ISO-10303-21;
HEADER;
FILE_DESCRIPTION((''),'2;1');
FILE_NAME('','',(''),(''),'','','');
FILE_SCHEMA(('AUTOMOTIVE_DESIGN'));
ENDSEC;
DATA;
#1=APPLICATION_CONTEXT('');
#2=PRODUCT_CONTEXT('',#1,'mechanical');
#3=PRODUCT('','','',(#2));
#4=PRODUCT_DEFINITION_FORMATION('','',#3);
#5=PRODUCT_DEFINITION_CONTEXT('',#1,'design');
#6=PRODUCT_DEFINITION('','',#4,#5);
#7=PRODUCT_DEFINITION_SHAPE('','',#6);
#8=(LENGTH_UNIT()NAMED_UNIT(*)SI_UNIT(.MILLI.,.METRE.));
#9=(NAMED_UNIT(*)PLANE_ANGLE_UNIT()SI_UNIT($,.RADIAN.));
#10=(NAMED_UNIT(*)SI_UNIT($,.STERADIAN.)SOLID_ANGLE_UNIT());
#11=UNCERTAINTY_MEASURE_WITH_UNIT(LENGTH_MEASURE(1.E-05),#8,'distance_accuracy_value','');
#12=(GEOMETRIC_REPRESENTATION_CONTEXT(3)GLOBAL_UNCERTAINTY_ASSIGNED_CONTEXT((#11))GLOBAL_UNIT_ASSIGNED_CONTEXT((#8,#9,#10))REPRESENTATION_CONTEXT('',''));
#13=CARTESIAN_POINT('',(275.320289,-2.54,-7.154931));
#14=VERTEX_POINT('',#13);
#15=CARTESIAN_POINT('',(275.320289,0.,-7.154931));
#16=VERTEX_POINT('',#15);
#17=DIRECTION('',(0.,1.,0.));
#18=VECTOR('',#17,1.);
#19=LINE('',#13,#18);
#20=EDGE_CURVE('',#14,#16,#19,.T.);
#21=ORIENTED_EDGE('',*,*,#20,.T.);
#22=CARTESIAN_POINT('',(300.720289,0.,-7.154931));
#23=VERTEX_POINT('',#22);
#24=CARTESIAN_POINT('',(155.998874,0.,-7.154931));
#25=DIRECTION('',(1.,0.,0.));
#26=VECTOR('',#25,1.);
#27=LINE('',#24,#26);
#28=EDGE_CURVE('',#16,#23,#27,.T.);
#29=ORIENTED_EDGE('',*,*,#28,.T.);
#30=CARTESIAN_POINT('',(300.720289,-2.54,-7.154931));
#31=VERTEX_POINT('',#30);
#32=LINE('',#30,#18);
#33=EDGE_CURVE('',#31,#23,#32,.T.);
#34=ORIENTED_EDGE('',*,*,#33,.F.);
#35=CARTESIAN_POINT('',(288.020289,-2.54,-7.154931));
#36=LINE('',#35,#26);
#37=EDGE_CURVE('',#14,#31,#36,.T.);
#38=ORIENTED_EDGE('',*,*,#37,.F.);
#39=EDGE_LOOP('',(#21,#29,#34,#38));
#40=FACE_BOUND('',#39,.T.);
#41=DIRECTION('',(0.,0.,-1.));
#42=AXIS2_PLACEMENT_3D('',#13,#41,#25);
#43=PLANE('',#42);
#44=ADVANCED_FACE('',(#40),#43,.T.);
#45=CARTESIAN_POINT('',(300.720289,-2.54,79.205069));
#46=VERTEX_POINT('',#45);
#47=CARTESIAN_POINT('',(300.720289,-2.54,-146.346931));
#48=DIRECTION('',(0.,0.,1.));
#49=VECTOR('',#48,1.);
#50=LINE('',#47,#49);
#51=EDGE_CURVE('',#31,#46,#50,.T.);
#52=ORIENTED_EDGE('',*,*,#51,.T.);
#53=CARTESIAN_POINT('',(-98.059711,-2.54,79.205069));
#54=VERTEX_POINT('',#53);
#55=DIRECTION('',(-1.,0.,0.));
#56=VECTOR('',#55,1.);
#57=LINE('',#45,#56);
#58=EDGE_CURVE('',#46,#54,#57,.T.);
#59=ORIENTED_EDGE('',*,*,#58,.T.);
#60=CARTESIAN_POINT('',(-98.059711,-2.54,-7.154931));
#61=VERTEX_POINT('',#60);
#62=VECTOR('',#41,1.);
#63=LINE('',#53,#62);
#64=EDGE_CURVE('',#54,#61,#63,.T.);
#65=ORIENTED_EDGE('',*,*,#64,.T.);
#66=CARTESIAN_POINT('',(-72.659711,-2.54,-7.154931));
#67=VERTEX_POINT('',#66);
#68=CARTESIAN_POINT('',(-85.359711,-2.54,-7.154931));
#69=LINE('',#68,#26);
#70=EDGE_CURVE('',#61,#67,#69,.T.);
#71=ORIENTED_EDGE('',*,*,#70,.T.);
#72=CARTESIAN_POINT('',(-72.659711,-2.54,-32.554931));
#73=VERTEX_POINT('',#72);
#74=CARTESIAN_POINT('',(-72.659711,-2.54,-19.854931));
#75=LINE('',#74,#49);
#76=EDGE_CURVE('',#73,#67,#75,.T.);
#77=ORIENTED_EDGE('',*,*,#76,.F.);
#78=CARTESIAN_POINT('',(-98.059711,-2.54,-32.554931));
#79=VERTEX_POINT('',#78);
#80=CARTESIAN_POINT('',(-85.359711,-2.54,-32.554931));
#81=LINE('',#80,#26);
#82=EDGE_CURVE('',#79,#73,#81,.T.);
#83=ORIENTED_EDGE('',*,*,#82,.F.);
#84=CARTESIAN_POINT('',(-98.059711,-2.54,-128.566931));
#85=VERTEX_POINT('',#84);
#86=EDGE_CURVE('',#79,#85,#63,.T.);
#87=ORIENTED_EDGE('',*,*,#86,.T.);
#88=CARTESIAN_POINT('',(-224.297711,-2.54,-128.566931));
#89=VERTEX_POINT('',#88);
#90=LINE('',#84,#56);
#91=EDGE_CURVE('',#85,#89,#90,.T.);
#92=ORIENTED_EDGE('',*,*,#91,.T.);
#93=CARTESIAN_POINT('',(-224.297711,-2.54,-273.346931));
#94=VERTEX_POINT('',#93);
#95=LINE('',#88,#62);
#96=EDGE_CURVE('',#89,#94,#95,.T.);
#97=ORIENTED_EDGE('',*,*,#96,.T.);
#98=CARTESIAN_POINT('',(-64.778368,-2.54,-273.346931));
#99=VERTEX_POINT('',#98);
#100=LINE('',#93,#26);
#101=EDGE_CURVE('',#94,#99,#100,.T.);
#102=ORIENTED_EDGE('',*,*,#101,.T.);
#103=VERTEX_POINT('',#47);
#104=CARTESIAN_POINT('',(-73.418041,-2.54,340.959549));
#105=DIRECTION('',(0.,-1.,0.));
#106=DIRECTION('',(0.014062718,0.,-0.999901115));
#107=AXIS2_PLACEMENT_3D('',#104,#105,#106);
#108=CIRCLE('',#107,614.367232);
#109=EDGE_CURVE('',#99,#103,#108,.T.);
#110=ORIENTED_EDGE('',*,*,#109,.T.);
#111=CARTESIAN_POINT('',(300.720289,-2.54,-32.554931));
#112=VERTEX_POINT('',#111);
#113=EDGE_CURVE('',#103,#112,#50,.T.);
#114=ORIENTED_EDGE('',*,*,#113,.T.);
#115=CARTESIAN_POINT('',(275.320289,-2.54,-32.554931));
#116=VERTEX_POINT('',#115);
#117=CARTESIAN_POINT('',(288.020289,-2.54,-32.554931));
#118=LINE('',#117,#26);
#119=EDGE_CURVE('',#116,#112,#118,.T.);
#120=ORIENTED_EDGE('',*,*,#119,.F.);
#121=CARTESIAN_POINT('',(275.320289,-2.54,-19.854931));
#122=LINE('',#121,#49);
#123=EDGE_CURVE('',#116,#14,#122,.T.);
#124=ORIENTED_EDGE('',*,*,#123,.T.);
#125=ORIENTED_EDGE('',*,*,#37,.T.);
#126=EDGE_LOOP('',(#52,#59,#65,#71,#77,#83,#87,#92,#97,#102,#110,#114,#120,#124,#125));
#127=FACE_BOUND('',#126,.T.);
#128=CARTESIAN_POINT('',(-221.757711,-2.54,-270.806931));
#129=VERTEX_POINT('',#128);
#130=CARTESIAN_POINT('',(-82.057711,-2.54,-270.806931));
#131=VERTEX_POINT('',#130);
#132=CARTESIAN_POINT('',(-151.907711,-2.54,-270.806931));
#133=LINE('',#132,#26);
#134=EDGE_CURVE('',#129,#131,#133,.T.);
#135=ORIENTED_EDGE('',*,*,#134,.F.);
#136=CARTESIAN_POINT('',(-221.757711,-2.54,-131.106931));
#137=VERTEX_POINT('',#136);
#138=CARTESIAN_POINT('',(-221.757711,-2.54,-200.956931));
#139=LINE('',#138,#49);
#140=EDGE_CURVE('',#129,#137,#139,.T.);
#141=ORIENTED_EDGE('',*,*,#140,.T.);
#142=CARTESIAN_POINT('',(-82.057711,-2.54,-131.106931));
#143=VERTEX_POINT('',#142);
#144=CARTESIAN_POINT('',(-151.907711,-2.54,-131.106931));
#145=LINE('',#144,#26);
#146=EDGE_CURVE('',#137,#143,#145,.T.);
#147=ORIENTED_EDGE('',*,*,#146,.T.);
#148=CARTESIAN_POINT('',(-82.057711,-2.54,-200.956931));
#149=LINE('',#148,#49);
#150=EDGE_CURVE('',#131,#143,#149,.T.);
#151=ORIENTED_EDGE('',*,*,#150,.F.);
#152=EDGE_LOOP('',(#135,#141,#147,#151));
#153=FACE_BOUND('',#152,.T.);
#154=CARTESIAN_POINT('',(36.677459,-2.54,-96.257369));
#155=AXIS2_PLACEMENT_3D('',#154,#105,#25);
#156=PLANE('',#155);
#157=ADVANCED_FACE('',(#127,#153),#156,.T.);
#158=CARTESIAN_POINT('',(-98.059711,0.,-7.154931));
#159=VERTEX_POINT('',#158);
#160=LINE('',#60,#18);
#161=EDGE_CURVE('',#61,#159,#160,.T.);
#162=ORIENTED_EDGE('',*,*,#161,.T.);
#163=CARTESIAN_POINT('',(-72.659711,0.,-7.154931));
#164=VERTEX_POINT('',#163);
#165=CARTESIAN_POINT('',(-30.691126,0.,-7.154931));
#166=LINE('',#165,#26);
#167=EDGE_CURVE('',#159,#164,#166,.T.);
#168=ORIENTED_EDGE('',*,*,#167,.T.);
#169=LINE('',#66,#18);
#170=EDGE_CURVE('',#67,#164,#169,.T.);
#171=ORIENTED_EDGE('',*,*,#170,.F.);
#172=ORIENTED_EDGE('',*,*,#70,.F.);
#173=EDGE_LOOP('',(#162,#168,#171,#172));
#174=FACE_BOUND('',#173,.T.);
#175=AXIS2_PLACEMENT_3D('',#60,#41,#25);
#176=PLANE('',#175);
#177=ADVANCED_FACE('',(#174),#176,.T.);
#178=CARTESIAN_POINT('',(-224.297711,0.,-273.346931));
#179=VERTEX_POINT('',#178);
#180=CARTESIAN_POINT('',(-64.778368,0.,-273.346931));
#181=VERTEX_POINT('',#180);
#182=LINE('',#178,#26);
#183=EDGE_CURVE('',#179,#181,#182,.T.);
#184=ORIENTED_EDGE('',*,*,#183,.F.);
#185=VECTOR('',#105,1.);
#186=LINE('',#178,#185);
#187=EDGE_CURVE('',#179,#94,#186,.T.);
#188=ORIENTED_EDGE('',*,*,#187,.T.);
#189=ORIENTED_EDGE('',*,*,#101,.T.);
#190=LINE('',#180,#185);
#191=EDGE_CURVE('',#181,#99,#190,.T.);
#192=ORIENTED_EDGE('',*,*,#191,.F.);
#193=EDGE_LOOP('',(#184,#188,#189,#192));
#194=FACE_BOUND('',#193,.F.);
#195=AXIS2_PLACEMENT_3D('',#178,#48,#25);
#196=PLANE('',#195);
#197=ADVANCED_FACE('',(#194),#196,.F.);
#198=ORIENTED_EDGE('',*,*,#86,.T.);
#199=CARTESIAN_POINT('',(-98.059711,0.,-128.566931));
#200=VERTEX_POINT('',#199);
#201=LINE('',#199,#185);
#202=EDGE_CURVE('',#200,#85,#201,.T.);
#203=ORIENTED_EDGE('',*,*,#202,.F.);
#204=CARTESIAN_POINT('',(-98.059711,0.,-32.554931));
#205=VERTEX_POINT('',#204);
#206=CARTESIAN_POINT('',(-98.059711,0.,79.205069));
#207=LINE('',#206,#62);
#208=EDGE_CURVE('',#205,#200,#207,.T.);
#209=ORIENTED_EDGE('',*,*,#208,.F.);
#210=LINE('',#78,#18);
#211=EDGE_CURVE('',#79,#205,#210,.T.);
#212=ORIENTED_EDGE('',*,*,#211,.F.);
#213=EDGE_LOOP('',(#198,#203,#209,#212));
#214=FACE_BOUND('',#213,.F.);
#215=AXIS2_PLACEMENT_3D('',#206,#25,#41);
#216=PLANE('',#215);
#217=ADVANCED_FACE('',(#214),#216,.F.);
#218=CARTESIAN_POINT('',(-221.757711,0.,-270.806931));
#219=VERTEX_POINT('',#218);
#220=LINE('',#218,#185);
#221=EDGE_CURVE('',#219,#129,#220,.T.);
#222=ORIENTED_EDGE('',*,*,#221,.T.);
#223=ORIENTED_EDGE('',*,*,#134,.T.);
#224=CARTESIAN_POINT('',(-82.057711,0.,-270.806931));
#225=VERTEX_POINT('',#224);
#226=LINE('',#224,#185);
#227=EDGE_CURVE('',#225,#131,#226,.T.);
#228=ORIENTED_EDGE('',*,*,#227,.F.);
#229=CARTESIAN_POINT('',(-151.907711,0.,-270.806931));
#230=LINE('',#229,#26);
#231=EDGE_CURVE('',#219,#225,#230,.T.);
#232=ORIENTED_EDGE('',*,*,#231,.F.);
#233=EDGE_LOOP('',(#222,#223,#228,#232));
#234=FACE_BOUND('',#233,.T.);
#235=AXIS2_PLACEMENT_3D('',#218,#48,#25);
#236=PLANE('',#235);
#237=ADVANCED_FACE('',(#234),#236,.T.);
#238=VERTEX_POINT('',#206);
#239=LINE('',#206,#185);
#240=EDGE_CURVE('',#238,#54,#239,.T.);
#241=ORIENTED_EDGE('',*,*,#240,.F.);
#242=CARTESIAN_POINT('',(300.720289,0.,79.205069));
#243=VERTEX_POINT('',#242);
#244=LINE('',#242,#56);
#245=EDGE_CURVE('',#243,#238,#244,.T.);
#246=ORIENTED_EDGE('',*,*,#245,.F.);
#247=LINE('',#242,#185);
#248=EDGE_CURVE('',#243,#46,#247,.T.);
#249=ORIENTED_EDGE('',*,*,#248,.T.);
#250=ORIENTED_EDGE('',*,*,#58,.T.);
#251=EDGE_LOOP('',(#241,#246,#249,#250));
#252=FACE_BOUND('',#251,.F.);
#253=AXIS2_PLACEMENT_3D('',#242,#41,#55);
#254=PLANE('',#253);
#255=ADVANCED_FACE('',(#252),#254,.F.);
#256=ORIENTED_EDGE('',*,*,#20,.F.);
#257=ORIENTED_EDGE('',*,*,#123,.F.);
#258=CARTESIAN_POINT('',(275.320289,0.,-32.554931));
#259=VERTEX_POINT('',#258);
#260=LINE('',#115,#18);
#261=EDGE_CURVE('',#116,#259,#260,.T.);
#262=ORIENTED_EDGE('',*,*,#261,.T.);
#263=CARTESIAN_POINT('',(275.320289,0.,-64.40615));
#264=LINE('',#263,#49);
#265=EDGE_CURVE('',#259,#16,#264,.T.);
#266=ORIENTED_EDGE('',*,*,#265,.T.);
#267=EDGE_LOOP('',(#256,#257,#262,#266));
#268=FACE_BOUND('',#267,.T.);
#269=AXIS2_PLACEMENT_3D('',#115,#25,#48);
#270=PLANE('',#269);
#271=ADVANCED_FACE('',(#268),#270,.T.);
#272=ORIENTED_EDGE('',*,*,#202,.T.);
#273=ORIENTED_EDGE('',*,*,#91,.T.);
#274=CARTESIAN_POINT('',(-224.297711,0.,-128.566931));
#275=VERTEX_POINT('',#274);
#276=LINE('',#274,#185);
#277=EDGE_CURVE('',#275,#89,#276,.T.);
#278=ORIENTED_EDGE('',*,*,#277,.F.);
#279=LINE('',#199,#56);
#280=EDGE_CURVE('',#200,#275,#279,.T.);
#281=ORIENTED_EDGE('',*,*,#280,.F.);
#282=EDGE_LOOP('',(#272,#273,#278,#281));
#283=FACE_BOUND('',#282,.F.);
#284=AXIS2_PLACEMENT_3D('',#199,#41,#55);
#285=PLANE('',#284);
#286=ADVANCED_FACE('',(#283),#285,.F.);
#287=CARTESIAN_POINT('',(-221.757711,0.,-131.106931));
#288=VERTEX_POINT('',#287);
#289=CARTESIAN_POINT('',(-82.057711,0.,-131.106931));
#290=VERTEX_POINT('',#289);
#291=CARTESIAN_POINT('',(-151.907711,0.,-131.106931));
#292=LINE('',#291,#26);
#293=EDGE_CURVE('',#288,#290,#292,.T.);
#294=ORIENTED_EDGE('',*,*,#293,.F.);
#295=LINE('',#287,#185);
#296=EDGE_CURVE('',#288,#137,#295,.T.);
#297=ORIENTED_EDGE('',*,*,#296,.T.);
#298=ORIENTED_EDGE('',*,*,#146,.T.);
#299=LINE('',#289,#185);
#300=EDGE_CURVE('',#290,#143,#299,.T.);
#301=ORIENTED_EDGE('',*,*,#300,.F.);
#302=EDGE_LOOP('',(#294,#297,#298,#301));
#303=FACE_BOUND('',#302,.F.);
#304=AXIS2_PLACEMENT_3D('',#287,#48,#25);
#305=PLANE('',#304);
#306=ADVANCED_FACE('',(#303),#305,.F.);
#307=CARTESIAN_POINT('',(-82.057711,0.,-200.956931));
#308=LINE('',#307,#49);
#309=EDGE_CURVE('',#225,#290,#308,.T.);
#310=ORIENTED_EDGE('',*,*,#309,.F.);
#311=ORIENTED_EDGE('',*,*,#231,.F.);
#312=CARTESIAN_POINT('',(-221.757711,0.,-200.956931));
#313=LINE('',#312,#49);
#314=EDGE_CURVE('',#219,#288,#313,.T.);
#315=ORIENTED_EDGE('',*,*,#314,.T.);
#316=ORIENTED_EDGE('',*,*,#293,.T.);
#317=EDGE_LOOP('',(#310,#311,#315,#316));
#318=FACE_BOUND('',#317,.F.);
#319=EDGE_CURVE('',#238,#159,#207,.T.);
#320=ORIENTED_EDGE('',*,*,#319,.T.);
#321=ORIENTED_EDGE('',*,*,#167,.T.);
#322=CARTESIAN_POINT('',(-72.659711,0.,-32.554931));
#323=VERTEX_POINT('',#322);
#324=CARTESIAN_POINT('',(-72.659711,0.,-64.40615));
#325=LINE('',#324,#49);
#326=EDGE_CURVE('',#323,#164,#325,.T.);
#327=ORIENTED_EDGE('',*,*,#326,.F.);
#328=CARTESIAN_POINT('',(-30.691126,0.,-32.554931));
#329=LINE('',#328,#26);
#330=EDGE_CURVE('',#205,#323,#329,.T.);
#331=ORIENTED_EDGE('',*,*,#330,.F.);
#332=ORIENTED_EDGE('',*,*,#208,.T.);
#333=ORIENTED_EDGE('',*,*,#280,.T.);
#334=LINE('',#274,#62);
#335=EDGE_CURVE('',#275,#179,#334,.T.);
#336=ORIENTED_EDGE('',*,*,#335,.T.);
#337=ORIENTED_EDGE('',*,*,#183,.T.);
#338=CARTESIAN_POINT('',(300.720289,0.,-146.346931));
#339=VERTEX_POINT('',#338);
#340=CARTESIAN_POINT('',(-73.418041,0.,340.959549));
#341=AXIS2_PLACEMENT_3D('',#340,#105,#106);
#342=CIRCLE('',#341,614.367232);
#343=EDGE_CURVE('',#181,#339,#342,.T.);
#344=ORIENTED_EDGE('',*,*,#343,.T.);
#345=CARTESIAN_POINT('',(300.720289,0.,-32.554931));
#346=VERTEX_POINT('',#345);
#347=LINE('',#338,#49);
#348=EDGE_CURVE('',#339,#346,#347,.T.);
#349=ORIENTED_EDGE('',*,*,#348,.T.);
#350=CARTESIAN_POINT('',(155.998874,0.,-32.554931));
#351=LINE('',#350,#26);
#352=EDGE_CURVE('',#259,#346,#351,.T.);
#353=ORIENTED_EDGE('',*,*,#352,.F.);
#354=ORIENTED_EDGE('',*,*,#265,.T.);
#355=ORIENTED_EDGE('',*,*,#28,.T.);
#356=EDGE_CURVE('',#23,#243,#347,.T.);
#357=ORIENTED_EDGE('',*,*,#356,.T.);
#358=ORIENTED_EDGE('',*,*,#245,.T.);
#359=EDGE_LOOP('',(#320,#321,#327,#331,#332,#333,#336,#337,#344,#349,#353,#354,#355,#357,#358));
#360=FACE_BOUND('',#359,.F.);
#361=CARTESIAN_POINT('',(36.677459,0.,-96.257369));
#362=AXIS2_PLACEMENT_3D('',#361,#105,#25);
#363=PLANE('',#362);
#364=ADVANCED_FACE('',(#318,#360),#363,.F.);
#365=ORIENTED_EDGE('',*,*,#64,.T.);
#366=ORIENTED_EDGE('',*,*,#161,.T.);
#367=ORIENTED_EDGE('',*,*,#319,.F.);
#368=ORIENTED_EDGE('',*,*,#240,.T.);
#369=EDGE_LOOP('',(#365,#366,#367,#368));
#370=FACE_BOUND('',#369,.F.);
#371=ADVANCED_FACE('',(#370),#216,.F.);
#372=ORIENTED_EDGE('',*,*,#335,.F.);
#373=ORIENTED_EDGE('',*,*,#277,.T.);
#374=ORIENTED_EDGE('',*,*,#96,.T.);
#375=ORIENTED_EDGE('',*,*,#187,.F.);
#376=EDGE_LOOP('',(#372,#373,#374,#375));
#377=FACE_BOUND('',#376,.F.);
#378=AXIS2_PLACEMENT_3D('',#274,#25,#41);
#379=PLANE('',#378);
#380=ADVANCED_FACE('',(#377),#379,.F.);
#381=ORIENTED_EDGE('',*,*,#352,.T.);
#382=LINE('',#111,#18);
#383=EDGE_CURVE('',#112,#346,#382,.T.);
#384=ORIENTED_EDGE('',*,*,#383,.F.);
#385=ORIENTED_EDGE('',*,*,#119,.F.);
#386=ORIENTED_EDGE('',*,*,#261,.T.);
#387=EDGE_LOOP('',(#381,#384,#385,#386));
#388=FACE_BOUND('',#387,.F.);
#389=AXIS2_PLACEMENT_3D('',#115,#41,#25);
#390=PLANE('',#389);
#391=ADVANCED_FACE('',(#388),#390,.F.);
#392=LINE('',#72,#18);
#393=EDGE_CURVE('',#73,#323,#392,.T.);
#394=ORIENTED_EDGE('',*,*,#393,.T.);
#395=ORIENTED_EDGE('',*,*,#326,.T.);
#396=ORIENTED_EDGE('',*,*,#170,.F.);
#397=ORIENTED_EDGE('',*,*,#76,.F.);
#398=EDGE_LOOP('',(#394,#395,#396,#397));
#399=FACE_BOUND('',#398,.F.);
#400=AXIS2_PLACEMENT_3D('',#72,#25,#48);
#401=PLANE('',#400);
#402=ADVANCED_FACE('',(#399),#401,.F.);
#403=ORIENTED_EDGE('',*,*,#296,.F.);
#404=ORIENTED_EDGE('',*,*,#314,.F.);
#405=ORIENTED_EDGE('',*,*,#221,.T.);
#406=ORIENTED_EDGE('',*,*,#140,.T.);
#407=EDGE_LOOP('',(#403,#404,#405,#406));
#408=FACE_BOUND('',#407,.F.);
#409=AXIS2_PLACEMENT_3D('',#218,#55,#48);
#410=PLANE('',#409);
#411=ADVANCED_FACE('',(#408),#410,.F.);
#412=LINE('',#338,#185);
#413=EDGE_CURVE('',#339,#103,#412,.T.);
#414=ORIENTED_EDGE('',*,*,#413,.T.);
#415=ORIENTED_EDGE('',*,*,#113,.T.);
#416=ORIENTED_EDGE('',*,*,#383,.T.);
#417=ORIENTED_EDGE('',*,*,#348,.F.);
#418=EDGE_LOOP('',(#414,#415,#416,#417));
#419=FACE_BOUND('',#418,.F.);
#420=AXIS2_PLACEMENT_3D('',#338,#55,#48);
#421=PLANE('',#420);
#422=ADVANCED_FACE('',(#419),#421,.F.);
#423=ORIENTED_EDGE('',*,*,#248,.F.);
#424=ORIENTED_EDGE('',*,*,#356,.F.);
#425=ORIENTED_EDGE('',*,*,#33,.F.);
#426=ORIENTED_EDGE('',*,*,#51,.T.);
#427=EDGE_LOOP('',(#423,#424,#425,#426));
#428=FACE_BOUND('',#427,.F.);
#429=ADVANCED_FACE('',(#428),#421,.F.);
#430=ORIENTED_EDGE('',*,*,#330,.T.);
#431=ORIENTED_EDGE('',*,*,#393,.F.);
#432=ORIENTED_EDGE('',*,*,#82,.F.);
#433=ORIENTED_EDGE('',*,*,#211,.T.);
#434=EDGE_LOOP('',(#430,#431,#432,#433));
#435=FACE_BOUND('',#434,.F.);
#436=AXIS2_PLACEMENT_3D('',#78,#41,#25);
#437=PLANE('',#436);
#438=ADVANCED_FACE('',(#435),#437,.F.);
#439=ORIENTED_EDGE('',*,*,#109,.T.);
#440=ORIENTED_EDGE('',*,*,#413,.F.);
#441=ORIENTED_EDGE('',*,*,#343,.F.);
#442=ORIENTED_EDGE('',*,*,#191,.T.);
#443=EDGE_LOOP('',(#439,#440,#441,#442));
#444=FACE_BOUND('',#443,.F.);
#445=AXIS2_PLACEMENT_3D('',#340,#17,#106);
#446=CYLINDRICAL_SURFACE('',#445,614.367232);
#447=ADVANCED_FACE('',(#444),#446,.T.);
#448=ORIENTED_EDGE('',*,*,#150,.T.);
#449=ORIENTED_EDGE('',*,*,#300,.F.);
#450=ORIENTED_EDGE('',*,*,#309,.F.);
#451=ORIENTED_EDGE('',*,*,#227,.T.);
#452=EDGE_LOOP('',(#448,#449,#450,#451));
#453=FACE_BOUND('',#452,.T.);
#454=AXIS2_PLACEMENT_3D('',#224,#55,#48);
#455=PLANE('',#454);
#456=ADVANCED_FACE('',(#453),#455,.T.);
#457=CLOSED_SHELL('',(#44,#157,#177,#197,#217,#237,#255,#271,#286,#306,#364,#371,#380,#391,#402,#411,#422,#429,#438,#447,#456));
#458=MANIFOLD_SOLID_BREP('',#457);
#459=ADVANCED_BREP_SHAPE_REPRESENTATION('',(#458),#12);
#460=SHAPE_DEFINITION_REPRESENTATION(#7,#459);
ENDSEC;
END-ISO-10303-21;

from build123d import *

# Parameters (mm, degrees)
F0_W     = 139.7
F0_H     = 139.7
F1_DEPTH = 2.54
F2_W     = 25.4
F2_H     = 25.4
F3_DEPTH = 25.4
F4_W     = 25.4
F4_H     = 25.4
F5_DEPTH = 25.4


with BuildPart() as f1:
    # F0 (on Front) → F1 (new body)
    with BuildSketch(Plane.XZ):
        with BuildLine():
            Line((300.720289, 79.205069), (-98.059711, 79.205069))
            Line((-98.059711, 79.205069), (-98.059711, -128.566931))
            Line((-98.059711, -128.566931), (-224.297711, -128.566931))
            Line((-224.297711, -128.566931), (-224.297711, -273.346931))
            Line((-224.297711, -273.346931), (-82.057711, -273.346931))
            Line((-82.057711, -273.346931), (-64.778368, -273.346931))
            ThreePointArc((-64.778368, -273.346931), (128.230167, -239.372335), (300.720289, -146.346931))
            Line((300.720289, -146.346931), (300.720289, 79.205069))
        make_face()
        with Locations((-151.907711, -200.956931)):
            Rectangle(F0_W, F0_H, mode=Mode.SUBTRACT)
    extrude(amount=F1_DEPTH)

    # F2 (on face) → F3 (cut)
    with BuildSketch(Plane.XZ.offset(2.54)):
        with Locations((-85.359711, -19.854931)):
            Rectangle(F2_W, F2_H)
    extrude(amount=-F3_DEPTH, mode=Mode.SUBTRACT)

    # F4 (on face) → F5 (cut)
    with BuildSketch(Plane.XZ.offset(2.54)):
        with Locations((288.020289, -19.854931)):
            Rectangle(F4_W, F4_H)
    extrude(amount=-F5_DEPTH, mode=Mode.SUBTRACT)


solid = f1.part
